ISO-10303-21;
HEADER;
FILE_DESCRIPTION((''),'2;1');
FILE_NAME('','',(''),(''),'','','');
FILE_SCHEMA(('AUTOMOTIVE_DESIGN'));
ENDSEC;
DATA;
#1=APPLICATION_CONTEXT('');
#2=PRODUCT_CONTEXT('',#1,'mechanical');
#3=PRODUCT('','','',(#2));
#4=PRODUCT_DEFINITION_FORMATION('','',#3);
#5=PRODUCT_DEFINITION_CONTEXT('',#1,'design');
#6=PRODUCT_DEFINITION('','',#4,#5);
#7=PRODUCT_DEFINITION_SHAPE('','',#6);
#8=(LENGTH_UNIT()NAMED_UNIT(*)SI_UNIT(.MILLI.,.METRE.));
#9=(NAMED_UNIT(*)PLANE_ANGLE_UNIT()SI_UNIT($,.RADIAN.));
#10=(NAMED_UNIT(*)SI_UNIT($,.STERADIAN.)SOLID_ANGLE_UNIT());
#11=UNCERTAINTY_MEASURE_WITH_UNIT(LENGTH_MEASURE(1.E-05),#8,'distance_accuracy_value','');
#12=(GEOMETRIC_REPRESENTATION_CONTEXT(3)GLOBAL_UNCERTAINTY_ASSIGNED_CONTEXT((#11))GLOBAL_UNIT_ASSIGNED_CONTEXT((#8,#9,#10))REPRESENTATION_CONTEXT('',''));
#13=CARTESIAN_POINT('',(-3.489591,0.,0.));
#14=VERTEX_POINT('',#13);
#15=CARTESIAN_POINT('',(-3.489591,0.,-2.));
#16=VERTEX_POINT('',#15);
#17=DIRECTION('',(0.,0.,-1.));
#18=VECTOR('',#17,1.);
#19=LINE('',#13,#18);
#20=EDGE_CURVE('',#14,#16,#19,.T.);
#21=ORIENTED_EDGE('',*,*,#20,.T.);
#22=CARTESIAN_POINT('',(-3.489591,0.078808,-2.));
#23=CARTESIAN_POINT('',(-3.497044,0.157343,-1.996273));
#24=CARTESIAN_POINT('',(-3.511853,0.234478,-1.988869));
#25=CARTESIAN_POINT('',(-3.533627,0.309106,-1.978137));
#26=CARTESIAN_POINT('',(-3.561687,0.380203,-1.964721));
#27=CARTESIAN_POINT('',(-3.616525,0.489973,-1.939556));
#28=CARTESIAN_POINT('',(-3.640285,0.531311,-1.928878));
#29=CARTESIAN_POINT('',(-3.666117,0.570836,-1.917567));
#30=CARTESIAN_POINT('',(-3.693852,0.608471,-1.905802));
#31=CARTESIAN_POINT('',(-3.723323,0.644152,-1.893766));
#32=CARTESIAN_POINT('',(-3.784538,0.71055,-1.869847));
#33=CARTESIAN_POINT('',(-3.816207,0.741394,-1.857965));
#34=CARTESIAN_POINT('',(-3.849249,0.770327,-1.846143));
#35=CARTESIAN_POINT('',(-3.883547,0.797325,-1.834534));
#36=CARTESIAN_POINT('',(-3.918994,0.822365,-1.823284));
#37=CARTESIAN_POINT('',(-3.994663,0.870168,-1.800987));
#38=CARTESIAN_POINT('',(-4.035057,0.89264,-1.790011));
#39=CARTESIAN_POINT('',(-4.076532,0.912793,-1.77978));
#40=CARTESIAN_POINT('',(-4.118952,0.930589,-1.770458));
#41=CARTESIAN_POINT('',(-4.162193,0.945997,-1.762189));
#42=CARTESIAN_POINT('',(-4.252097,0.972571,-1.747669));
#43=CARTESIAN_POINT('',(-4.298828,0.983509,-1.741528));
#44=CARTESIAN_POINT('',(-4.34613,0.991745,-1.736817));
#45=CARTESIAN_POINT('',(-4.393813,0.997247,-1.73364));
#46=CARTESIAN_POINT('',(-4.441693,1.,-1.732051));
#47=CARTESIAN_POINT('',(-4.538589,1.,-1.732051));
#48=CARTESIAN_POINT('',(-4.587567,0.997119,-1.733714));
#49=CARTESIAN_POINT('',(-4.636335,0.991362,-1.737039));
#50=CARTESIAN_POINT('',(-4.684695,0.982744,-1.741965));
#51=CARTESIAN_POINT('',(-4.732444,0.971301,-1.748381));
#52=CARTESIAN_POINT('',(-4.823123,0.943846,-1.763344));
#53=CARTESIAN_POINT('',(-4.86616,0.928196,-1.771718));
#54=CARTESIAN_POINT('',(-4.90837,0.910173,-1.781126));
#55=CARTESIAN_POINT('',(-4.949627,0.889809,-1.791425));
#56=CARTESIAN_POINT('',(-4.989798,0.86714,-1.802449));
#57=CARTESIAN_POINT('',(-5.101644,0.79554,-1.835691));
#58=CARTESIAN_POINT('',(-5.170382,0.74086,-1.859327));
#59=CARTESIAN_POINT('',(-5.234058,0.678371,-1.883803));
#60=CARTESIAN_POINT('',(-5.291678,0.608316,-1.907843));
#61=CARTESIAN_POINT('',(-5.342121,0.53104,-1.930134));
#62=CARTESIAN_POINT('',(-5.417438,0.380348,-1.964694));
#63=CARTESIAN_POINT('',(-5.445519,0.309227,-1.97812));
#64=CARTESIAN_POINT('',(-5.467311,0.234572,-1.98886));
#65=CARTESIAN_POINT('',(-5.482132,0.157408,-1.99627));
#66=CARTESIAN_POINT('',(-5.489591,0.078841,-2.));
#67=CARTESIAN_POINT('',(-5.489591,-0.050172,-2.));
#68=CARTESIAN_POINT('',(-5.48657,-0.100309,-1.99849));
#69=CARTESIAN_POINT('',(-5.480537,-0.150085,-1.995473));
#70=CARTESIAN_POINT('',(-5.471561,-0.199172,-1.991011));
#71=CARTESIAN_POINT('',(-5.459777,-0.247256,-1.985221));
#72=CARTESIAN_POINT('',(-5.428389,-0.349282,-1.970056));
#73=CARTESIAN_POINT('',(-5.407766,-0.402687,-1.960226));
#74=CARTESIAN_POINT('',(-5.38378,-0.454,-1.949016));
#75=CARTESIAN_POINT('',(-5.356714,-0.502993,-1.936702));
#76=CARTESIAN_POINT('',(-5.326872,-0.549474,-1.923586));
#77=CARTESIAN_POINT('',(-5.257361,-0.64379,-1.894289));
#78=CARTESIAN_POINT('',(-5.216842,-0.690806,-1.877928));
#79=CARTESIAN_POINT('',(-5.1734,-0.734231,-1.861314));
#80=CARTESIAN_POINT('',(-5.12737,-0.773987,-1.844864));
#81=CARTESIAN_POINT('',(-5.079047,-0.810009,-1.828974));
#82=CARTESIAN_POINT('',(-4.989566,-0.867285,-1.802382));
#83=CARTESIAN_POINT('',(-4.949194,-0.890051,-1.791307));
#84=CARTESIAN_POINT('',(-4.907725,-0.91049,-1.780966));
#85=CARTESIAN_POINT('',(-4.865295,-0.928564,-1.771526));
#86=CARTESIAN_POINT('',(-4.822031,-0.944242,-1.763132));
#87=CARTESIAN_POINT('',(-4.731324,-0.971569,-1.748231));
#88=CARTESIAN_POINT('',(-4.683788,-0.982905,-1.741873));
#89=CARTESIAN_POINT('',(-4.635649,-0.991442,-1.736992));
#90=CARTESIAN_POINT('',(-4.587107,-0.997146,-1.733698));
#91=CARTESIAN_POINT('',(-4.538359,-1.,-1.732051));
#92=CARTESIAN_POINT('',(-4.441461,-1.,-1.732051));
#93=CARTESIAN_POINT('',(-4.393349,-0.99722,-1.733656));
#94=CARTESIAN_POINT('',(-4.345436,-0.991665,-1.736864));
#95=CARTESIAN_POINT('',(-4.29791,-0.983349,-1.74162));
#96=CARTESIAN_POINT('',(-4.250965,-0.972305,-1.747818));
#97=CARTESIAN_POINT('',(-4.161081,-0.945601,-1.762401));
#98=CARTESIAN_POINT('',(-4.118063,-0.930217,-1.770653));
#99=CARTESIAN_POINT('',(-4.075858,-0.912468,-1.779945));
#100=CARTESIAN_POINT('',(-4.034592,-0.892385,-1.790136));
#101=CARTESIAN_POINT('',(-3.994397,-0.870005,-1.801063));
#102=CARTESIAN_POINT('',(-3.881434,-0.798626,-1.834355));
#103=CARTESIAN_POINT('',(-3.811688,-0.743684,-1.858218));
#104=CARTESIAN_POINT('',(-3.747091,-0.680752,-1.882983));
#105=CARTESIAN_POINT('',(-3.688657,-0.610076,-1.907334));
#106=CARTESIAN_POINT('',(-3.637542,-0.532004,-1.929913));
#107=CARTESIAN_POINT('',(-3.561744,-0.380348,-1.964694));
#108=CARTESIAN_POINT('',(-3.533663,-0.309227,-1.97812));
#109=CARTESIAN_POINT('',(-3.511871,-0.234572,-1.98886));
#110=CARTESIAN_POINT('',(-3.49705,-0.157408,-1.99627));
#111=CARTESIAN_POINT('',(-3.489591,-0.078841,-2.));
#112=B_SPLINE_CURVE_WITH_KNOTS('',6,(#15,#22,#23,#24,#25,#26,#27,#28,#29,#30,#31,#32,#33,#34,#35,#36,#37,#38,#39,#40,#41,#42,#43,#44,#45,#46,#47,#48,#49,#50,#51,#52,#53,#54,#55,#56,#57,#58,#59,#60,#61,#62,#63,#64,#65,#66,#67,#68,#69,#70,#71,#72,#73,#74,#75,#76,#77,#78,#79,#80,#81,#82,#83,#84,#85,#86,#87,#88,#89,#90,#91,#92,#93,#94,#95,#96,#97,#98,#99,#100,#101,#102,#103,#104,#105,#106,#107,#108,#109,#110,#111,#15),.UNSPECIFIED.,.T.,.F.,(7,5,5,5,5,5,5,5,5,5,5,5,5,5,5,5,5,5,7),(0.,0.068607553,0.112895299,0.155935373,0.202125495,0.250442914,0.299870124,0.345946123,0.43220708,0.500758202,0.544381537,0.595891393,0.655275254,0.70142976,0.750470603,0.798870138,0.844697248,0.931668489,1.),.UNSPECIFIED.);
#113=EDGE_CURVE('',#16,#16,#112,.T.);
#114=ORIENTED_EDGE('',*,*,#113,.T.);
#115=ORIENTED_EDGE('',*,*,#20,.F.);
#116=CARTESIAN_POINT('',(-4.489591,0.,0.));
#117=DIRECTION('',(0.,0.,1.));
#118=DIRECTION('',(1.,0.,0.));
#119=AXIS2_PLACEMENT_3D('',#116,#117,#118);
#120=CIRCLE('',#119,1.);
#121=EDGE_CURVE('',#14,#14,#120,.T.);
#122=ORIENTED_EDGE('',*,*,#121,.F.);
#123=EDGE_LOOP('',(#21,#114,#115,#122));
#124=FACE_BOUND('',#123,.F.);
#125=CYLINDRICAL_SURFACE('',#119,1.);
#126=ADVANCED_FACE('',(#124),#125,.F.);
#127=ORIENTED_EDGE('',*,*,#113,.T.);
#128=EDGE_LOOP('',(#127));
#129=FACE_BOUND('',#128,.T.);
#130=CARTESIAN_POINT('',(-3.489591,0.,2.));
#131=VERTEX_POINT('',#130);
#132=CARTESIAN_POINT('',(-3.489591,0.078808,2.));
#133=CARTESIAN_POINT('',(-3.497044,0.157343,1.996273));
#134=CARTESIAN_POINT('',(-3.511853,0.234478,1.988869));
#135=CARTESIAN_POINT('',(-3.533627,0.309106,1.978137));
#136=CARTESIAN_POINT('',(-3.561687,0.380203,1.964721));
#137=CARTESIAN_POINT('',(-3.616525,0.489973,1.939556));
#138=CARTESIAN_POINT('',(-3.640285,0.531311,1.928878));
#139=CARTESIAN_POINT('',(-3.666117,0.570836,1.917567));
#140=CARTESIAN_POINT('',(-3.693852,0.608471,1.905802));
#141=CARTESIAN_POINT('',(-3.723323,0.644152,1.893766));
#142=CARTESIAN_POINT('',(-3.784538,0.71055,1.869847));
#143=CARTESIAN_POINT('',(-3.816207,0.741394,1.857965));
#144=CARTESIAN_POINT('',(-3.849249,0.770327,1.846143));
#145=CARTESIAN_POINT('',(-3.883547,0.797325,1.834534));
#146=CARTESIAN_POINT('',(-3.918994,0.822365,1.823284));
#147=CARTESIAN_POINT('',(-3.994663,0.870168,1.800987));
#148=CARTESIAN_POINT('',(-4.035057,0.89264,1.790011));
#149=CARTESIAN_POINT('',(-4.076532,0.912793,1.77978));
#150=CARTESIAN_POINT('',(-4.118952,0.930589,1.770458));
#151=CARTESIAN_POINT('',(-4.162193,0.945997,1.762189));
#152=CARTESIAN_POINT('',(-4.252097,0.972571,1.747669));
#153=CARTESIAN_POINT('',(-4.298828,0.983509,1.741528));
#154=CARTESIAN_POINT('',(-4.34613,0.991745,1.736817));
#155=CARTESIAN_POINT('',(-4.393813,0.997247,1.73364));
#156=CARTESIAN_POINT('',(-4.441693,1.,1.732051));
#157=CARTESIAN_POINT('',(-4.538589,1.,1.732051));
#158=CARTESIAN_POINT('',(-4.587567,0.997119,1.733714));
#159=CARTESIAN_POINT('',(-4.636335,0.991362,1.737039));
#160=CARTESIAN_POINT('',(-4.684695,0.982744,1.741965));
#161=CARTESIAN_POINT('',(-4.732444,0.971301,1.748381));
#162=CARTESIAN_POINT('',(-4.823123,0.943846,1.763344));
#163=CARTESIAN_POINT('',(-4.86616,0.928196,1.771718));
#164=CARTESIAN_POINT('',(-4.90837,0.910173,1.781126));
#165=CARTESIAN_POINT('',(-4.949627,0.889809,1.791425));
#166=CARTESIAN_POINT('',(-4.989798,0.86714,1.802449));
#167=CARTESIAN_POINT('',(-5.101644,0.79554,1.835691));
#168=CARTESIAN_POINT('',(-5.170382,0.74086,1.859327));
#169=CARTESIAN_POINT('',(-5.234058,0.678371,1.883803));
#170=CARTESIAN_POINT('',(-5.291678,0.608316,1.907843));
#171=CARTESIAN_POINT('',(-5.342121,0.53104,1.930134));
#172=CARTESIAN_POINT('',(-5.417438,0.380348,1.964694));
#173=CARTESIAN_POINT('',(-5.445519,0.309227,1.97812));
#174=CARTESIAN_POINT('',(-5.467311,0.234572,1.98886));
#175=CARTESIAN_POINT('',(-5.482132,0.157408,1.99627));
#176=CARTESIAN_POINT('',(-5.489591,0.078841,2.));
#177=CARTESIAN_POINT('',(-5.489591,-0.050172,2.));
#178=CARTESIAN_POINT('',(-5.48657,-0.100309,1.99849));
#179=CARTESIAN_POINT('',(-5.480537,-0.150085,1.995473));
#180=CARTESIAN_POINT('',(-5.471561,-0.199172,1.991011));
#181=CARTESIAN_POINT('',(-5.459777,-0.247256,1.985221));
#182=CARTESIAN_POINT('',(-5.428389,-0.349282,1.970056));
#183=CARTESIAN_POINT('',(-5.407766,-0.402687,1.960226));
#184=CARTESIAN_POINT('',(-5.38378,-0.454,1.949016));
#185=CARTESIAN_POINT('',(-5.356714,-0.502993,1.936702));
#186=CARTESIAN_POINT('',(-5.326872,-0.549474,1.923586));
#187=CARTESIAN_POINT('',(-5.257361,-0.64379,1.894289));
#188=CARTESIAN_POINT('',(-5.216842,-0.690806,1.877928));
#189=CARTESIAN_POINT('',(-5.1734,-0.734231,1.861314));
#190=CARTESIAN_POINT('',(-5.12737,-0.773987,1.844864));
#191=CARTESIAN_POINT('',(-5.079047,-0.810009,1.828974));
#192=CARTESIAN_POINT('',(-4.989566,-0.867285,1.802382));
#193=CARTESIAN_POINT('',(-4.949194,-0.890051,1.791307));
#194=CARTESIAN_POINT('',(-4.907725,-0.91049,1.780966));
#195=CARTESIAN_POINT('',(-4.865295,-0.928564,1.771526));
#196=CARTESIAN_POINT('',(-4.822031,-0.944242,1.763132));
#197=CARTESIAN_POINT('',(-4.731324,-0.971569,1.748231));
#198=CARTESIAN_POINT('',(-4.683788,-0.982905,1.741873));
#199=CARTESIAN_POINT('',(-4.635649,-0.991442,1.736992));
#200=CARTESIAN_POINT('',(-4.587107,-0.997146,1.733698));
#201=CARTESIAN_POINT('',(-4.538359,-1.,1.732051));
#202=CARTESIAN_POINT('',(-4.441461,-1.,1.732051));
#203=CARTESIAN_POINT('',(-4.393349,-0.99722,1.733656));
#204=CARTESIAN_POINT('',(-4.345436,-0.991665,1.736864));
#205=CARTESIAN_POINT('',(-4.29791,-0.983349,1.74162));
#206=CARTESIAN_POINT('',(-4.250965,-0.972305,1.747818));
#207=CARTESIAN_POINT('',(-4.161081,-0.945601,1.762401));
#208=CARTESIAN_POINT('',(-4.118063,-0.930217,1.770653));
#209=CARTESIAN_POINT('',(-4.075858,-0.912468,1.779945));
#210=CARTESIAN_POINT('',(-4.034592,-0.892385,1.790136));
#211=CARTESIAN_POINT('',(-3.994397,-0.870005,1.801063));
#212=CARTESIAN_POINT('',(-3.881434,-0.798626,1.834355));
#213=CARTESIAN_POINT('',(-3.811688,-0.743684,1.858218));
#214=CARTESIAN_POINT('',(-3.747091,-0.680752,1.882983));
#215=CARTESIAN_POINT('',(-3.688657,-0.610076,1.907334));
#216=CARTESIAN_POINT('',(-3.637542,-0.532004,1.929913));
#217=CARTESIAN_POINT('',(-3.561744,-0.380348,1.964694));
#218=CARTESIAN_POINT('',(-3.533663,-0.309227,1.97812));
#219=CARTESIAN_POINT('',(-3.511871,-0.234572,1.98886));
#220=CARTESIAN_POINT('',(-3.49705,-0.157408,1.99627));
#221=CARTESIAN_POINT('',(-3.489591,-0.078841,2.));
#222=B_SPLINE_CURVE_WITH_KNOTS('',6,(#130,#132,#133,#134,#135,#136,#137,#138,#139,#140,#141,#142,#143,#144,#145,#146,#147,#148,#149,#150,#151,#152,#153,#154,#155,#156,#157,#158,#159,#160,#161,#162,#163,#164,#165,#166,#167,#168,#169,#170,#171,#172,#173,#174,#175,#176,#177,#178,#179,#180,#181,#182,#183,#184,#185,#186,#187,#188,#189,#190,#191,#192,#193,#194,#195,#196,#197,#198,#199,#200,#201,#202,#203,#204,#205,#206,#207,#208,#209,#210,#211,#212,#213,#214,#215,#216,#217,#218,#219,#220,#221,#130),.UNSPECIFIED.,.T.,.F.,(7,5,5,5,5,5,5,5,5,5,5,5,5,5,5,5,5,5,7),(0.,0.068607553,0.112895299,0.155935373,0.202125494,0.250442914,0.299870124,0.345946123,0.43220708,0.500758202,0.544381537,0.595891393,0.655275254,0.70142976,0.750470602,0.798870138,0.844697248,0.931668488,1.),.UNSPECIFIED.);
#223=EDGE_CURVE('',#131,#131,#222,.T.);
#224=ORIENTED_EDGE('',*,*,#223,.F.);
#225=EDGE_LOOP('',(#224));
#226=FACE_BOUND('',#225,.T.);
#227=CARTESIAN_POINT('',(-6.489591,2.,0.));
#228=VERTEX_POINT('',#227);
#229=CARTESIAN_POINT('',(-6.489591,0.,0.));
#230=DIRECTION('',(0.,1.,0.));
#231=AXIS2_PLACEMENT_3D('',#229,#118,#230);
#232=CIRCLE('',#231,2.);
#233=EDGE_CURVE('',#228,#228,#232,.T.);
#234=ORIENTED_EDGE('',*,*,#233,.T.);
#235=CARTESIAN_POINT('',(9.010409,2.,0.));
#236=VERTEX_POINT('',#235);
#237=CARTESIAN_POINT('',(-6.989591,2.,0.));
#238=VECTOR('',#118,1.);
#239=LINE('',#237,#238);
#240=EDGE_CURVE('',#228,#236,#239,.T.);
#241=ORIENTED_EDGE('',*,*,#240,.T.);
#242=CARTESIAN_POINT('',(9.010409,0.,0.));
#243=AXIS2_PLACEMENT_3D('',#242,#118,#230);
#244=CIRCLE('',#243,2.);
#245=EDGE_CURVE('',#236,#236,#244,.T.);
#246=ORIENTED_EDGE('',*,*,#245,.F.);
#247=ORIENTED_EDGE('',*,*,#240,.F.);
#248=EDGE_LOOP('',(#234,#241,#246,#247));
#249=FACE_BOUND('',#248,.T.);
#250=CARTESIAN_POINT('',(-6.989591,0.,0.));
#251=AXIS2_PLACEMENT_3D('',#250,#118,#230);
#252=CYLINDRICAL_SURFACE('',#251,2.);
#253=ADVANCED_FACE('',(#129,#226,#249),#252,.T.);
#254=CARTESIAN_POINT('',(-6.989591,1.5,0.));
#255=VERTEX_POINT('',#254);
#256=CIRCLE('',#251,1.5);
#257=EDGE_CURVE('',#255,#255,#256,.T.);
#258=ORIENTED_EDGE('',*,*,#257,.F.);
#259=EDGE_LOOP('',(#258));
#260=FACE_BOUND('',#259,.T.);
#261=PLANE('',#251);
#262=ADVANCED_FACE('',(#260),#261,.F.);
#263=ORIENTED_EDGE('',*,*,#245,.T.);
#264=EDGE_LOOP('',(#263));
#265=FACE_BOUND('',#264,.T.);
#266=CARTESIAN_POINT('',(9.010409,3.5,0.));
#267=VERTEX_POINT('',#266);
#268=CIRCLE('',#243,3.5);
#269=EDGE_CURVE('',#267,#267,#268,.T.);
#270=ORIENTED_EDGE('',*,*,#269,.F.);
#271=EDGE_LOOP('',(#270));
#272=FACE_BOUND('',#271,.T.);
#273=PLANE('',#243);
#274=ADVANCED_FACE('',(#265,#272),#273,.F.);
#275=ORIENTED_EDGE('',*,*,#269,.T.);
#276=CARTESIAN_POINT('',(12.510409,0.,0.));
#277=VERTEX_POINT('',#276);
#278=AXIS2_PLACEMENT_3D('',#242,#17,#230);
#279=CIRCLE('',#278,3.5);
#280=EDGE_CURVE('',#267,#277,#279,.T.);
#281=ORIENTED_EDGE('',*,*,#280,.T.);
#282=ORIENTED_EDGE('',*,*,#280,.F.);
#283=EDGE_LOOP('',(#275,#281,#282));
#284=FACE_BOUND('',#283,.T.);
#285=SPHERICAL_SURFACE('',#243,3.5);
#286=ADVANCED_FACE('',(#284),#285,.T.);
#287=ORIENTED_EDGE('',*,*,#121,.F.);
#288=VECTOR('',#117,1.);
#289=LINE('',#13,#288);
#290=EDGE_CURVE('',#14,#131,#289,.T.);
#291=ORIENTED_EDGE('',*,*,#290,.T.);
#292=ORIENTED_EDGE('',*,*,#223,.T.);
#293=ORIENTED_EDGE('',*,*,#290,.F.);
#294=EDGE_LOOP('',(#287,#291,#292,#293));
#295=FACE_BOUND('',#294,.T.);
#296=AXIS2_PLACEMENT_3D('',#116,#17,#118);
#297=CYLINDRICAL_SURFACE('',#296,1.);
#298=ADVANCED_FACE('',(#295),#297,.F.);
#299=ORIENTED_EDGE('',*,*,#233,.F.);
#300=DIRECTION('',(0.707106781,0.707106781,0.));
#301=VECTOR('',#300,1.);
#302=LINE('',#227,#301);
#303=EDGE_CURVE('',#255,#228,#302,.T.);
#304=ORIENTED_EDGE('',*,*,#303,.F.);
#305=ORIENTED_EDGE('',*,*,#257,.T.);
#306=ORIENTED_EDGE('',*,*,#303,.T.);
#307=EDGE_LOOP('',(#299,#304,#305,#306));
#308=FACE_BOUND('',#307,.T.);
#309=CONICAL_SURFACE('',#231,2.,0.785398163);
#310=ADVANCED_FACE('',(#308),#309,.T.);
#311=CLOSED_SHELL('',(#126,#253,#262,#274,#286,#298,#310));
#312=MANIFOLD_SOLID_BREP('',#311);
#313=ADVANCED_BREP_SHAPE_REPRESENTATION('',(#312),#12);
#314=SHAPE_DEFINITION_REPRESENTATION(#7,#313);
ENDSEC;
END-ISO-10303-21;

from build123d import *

# Parameters (mm, degrees)
CHAMFER1_SIZE           = 0.5
SKETCH2_R               = 1
CUT_EXTRUDE1_DEPTH      = 4.5
CUT_EXTRUDE1_DEPTH_BACK = 4.5


with BuildPart() as part:
    # Sketch1 → Revolve1 (revolve)
    with BuildSketch(Plane.XY):
        with BuildLine():
            Line((-6.989590942, 0), (-6.989590942, 2))
            Line((-6.989590942, 2), (9.010409058, 2))
            Line((9.010409058, 2), (9.010409058, 3.5))
            ThreePointArc((9.010409058, 3.5), (11.485282792, 2.474873734), (12.510409058, 0))
            Line((12.510409058, 0), (-6.989590942, 0))
        make_face()
    revolve(axis=Axis((-10.070672023, 0, 0), (1, 0, 0)))

    # Chamfer1
    chamfer1_edges = [part.edges().sort_by_distance(p)[0] for p in [
        (-6.989590942, -2, 0),
    ]]
    chamfer(chamfer1_edges, length=CHAMFER1_SIZE)

    # Sketch2 → Cut-Extrude1 (cut, two sides)
    with BuildSketch(Plane.XY) as cut_extrude1_sk:
        with Locations((-4.489590942, 0)):
            Circle(SKETCH2_R)
    extrude(amount=CUT_EXTRUDE1_DEPTH, mode=Mode.SUBTRACT)
    extrude(cut_extrude1_sk.sketch, amount=-CUT_EXTRUDE1_DEPTH_BACK, mode=Mode.SUBTRACT)


solid = part.part
